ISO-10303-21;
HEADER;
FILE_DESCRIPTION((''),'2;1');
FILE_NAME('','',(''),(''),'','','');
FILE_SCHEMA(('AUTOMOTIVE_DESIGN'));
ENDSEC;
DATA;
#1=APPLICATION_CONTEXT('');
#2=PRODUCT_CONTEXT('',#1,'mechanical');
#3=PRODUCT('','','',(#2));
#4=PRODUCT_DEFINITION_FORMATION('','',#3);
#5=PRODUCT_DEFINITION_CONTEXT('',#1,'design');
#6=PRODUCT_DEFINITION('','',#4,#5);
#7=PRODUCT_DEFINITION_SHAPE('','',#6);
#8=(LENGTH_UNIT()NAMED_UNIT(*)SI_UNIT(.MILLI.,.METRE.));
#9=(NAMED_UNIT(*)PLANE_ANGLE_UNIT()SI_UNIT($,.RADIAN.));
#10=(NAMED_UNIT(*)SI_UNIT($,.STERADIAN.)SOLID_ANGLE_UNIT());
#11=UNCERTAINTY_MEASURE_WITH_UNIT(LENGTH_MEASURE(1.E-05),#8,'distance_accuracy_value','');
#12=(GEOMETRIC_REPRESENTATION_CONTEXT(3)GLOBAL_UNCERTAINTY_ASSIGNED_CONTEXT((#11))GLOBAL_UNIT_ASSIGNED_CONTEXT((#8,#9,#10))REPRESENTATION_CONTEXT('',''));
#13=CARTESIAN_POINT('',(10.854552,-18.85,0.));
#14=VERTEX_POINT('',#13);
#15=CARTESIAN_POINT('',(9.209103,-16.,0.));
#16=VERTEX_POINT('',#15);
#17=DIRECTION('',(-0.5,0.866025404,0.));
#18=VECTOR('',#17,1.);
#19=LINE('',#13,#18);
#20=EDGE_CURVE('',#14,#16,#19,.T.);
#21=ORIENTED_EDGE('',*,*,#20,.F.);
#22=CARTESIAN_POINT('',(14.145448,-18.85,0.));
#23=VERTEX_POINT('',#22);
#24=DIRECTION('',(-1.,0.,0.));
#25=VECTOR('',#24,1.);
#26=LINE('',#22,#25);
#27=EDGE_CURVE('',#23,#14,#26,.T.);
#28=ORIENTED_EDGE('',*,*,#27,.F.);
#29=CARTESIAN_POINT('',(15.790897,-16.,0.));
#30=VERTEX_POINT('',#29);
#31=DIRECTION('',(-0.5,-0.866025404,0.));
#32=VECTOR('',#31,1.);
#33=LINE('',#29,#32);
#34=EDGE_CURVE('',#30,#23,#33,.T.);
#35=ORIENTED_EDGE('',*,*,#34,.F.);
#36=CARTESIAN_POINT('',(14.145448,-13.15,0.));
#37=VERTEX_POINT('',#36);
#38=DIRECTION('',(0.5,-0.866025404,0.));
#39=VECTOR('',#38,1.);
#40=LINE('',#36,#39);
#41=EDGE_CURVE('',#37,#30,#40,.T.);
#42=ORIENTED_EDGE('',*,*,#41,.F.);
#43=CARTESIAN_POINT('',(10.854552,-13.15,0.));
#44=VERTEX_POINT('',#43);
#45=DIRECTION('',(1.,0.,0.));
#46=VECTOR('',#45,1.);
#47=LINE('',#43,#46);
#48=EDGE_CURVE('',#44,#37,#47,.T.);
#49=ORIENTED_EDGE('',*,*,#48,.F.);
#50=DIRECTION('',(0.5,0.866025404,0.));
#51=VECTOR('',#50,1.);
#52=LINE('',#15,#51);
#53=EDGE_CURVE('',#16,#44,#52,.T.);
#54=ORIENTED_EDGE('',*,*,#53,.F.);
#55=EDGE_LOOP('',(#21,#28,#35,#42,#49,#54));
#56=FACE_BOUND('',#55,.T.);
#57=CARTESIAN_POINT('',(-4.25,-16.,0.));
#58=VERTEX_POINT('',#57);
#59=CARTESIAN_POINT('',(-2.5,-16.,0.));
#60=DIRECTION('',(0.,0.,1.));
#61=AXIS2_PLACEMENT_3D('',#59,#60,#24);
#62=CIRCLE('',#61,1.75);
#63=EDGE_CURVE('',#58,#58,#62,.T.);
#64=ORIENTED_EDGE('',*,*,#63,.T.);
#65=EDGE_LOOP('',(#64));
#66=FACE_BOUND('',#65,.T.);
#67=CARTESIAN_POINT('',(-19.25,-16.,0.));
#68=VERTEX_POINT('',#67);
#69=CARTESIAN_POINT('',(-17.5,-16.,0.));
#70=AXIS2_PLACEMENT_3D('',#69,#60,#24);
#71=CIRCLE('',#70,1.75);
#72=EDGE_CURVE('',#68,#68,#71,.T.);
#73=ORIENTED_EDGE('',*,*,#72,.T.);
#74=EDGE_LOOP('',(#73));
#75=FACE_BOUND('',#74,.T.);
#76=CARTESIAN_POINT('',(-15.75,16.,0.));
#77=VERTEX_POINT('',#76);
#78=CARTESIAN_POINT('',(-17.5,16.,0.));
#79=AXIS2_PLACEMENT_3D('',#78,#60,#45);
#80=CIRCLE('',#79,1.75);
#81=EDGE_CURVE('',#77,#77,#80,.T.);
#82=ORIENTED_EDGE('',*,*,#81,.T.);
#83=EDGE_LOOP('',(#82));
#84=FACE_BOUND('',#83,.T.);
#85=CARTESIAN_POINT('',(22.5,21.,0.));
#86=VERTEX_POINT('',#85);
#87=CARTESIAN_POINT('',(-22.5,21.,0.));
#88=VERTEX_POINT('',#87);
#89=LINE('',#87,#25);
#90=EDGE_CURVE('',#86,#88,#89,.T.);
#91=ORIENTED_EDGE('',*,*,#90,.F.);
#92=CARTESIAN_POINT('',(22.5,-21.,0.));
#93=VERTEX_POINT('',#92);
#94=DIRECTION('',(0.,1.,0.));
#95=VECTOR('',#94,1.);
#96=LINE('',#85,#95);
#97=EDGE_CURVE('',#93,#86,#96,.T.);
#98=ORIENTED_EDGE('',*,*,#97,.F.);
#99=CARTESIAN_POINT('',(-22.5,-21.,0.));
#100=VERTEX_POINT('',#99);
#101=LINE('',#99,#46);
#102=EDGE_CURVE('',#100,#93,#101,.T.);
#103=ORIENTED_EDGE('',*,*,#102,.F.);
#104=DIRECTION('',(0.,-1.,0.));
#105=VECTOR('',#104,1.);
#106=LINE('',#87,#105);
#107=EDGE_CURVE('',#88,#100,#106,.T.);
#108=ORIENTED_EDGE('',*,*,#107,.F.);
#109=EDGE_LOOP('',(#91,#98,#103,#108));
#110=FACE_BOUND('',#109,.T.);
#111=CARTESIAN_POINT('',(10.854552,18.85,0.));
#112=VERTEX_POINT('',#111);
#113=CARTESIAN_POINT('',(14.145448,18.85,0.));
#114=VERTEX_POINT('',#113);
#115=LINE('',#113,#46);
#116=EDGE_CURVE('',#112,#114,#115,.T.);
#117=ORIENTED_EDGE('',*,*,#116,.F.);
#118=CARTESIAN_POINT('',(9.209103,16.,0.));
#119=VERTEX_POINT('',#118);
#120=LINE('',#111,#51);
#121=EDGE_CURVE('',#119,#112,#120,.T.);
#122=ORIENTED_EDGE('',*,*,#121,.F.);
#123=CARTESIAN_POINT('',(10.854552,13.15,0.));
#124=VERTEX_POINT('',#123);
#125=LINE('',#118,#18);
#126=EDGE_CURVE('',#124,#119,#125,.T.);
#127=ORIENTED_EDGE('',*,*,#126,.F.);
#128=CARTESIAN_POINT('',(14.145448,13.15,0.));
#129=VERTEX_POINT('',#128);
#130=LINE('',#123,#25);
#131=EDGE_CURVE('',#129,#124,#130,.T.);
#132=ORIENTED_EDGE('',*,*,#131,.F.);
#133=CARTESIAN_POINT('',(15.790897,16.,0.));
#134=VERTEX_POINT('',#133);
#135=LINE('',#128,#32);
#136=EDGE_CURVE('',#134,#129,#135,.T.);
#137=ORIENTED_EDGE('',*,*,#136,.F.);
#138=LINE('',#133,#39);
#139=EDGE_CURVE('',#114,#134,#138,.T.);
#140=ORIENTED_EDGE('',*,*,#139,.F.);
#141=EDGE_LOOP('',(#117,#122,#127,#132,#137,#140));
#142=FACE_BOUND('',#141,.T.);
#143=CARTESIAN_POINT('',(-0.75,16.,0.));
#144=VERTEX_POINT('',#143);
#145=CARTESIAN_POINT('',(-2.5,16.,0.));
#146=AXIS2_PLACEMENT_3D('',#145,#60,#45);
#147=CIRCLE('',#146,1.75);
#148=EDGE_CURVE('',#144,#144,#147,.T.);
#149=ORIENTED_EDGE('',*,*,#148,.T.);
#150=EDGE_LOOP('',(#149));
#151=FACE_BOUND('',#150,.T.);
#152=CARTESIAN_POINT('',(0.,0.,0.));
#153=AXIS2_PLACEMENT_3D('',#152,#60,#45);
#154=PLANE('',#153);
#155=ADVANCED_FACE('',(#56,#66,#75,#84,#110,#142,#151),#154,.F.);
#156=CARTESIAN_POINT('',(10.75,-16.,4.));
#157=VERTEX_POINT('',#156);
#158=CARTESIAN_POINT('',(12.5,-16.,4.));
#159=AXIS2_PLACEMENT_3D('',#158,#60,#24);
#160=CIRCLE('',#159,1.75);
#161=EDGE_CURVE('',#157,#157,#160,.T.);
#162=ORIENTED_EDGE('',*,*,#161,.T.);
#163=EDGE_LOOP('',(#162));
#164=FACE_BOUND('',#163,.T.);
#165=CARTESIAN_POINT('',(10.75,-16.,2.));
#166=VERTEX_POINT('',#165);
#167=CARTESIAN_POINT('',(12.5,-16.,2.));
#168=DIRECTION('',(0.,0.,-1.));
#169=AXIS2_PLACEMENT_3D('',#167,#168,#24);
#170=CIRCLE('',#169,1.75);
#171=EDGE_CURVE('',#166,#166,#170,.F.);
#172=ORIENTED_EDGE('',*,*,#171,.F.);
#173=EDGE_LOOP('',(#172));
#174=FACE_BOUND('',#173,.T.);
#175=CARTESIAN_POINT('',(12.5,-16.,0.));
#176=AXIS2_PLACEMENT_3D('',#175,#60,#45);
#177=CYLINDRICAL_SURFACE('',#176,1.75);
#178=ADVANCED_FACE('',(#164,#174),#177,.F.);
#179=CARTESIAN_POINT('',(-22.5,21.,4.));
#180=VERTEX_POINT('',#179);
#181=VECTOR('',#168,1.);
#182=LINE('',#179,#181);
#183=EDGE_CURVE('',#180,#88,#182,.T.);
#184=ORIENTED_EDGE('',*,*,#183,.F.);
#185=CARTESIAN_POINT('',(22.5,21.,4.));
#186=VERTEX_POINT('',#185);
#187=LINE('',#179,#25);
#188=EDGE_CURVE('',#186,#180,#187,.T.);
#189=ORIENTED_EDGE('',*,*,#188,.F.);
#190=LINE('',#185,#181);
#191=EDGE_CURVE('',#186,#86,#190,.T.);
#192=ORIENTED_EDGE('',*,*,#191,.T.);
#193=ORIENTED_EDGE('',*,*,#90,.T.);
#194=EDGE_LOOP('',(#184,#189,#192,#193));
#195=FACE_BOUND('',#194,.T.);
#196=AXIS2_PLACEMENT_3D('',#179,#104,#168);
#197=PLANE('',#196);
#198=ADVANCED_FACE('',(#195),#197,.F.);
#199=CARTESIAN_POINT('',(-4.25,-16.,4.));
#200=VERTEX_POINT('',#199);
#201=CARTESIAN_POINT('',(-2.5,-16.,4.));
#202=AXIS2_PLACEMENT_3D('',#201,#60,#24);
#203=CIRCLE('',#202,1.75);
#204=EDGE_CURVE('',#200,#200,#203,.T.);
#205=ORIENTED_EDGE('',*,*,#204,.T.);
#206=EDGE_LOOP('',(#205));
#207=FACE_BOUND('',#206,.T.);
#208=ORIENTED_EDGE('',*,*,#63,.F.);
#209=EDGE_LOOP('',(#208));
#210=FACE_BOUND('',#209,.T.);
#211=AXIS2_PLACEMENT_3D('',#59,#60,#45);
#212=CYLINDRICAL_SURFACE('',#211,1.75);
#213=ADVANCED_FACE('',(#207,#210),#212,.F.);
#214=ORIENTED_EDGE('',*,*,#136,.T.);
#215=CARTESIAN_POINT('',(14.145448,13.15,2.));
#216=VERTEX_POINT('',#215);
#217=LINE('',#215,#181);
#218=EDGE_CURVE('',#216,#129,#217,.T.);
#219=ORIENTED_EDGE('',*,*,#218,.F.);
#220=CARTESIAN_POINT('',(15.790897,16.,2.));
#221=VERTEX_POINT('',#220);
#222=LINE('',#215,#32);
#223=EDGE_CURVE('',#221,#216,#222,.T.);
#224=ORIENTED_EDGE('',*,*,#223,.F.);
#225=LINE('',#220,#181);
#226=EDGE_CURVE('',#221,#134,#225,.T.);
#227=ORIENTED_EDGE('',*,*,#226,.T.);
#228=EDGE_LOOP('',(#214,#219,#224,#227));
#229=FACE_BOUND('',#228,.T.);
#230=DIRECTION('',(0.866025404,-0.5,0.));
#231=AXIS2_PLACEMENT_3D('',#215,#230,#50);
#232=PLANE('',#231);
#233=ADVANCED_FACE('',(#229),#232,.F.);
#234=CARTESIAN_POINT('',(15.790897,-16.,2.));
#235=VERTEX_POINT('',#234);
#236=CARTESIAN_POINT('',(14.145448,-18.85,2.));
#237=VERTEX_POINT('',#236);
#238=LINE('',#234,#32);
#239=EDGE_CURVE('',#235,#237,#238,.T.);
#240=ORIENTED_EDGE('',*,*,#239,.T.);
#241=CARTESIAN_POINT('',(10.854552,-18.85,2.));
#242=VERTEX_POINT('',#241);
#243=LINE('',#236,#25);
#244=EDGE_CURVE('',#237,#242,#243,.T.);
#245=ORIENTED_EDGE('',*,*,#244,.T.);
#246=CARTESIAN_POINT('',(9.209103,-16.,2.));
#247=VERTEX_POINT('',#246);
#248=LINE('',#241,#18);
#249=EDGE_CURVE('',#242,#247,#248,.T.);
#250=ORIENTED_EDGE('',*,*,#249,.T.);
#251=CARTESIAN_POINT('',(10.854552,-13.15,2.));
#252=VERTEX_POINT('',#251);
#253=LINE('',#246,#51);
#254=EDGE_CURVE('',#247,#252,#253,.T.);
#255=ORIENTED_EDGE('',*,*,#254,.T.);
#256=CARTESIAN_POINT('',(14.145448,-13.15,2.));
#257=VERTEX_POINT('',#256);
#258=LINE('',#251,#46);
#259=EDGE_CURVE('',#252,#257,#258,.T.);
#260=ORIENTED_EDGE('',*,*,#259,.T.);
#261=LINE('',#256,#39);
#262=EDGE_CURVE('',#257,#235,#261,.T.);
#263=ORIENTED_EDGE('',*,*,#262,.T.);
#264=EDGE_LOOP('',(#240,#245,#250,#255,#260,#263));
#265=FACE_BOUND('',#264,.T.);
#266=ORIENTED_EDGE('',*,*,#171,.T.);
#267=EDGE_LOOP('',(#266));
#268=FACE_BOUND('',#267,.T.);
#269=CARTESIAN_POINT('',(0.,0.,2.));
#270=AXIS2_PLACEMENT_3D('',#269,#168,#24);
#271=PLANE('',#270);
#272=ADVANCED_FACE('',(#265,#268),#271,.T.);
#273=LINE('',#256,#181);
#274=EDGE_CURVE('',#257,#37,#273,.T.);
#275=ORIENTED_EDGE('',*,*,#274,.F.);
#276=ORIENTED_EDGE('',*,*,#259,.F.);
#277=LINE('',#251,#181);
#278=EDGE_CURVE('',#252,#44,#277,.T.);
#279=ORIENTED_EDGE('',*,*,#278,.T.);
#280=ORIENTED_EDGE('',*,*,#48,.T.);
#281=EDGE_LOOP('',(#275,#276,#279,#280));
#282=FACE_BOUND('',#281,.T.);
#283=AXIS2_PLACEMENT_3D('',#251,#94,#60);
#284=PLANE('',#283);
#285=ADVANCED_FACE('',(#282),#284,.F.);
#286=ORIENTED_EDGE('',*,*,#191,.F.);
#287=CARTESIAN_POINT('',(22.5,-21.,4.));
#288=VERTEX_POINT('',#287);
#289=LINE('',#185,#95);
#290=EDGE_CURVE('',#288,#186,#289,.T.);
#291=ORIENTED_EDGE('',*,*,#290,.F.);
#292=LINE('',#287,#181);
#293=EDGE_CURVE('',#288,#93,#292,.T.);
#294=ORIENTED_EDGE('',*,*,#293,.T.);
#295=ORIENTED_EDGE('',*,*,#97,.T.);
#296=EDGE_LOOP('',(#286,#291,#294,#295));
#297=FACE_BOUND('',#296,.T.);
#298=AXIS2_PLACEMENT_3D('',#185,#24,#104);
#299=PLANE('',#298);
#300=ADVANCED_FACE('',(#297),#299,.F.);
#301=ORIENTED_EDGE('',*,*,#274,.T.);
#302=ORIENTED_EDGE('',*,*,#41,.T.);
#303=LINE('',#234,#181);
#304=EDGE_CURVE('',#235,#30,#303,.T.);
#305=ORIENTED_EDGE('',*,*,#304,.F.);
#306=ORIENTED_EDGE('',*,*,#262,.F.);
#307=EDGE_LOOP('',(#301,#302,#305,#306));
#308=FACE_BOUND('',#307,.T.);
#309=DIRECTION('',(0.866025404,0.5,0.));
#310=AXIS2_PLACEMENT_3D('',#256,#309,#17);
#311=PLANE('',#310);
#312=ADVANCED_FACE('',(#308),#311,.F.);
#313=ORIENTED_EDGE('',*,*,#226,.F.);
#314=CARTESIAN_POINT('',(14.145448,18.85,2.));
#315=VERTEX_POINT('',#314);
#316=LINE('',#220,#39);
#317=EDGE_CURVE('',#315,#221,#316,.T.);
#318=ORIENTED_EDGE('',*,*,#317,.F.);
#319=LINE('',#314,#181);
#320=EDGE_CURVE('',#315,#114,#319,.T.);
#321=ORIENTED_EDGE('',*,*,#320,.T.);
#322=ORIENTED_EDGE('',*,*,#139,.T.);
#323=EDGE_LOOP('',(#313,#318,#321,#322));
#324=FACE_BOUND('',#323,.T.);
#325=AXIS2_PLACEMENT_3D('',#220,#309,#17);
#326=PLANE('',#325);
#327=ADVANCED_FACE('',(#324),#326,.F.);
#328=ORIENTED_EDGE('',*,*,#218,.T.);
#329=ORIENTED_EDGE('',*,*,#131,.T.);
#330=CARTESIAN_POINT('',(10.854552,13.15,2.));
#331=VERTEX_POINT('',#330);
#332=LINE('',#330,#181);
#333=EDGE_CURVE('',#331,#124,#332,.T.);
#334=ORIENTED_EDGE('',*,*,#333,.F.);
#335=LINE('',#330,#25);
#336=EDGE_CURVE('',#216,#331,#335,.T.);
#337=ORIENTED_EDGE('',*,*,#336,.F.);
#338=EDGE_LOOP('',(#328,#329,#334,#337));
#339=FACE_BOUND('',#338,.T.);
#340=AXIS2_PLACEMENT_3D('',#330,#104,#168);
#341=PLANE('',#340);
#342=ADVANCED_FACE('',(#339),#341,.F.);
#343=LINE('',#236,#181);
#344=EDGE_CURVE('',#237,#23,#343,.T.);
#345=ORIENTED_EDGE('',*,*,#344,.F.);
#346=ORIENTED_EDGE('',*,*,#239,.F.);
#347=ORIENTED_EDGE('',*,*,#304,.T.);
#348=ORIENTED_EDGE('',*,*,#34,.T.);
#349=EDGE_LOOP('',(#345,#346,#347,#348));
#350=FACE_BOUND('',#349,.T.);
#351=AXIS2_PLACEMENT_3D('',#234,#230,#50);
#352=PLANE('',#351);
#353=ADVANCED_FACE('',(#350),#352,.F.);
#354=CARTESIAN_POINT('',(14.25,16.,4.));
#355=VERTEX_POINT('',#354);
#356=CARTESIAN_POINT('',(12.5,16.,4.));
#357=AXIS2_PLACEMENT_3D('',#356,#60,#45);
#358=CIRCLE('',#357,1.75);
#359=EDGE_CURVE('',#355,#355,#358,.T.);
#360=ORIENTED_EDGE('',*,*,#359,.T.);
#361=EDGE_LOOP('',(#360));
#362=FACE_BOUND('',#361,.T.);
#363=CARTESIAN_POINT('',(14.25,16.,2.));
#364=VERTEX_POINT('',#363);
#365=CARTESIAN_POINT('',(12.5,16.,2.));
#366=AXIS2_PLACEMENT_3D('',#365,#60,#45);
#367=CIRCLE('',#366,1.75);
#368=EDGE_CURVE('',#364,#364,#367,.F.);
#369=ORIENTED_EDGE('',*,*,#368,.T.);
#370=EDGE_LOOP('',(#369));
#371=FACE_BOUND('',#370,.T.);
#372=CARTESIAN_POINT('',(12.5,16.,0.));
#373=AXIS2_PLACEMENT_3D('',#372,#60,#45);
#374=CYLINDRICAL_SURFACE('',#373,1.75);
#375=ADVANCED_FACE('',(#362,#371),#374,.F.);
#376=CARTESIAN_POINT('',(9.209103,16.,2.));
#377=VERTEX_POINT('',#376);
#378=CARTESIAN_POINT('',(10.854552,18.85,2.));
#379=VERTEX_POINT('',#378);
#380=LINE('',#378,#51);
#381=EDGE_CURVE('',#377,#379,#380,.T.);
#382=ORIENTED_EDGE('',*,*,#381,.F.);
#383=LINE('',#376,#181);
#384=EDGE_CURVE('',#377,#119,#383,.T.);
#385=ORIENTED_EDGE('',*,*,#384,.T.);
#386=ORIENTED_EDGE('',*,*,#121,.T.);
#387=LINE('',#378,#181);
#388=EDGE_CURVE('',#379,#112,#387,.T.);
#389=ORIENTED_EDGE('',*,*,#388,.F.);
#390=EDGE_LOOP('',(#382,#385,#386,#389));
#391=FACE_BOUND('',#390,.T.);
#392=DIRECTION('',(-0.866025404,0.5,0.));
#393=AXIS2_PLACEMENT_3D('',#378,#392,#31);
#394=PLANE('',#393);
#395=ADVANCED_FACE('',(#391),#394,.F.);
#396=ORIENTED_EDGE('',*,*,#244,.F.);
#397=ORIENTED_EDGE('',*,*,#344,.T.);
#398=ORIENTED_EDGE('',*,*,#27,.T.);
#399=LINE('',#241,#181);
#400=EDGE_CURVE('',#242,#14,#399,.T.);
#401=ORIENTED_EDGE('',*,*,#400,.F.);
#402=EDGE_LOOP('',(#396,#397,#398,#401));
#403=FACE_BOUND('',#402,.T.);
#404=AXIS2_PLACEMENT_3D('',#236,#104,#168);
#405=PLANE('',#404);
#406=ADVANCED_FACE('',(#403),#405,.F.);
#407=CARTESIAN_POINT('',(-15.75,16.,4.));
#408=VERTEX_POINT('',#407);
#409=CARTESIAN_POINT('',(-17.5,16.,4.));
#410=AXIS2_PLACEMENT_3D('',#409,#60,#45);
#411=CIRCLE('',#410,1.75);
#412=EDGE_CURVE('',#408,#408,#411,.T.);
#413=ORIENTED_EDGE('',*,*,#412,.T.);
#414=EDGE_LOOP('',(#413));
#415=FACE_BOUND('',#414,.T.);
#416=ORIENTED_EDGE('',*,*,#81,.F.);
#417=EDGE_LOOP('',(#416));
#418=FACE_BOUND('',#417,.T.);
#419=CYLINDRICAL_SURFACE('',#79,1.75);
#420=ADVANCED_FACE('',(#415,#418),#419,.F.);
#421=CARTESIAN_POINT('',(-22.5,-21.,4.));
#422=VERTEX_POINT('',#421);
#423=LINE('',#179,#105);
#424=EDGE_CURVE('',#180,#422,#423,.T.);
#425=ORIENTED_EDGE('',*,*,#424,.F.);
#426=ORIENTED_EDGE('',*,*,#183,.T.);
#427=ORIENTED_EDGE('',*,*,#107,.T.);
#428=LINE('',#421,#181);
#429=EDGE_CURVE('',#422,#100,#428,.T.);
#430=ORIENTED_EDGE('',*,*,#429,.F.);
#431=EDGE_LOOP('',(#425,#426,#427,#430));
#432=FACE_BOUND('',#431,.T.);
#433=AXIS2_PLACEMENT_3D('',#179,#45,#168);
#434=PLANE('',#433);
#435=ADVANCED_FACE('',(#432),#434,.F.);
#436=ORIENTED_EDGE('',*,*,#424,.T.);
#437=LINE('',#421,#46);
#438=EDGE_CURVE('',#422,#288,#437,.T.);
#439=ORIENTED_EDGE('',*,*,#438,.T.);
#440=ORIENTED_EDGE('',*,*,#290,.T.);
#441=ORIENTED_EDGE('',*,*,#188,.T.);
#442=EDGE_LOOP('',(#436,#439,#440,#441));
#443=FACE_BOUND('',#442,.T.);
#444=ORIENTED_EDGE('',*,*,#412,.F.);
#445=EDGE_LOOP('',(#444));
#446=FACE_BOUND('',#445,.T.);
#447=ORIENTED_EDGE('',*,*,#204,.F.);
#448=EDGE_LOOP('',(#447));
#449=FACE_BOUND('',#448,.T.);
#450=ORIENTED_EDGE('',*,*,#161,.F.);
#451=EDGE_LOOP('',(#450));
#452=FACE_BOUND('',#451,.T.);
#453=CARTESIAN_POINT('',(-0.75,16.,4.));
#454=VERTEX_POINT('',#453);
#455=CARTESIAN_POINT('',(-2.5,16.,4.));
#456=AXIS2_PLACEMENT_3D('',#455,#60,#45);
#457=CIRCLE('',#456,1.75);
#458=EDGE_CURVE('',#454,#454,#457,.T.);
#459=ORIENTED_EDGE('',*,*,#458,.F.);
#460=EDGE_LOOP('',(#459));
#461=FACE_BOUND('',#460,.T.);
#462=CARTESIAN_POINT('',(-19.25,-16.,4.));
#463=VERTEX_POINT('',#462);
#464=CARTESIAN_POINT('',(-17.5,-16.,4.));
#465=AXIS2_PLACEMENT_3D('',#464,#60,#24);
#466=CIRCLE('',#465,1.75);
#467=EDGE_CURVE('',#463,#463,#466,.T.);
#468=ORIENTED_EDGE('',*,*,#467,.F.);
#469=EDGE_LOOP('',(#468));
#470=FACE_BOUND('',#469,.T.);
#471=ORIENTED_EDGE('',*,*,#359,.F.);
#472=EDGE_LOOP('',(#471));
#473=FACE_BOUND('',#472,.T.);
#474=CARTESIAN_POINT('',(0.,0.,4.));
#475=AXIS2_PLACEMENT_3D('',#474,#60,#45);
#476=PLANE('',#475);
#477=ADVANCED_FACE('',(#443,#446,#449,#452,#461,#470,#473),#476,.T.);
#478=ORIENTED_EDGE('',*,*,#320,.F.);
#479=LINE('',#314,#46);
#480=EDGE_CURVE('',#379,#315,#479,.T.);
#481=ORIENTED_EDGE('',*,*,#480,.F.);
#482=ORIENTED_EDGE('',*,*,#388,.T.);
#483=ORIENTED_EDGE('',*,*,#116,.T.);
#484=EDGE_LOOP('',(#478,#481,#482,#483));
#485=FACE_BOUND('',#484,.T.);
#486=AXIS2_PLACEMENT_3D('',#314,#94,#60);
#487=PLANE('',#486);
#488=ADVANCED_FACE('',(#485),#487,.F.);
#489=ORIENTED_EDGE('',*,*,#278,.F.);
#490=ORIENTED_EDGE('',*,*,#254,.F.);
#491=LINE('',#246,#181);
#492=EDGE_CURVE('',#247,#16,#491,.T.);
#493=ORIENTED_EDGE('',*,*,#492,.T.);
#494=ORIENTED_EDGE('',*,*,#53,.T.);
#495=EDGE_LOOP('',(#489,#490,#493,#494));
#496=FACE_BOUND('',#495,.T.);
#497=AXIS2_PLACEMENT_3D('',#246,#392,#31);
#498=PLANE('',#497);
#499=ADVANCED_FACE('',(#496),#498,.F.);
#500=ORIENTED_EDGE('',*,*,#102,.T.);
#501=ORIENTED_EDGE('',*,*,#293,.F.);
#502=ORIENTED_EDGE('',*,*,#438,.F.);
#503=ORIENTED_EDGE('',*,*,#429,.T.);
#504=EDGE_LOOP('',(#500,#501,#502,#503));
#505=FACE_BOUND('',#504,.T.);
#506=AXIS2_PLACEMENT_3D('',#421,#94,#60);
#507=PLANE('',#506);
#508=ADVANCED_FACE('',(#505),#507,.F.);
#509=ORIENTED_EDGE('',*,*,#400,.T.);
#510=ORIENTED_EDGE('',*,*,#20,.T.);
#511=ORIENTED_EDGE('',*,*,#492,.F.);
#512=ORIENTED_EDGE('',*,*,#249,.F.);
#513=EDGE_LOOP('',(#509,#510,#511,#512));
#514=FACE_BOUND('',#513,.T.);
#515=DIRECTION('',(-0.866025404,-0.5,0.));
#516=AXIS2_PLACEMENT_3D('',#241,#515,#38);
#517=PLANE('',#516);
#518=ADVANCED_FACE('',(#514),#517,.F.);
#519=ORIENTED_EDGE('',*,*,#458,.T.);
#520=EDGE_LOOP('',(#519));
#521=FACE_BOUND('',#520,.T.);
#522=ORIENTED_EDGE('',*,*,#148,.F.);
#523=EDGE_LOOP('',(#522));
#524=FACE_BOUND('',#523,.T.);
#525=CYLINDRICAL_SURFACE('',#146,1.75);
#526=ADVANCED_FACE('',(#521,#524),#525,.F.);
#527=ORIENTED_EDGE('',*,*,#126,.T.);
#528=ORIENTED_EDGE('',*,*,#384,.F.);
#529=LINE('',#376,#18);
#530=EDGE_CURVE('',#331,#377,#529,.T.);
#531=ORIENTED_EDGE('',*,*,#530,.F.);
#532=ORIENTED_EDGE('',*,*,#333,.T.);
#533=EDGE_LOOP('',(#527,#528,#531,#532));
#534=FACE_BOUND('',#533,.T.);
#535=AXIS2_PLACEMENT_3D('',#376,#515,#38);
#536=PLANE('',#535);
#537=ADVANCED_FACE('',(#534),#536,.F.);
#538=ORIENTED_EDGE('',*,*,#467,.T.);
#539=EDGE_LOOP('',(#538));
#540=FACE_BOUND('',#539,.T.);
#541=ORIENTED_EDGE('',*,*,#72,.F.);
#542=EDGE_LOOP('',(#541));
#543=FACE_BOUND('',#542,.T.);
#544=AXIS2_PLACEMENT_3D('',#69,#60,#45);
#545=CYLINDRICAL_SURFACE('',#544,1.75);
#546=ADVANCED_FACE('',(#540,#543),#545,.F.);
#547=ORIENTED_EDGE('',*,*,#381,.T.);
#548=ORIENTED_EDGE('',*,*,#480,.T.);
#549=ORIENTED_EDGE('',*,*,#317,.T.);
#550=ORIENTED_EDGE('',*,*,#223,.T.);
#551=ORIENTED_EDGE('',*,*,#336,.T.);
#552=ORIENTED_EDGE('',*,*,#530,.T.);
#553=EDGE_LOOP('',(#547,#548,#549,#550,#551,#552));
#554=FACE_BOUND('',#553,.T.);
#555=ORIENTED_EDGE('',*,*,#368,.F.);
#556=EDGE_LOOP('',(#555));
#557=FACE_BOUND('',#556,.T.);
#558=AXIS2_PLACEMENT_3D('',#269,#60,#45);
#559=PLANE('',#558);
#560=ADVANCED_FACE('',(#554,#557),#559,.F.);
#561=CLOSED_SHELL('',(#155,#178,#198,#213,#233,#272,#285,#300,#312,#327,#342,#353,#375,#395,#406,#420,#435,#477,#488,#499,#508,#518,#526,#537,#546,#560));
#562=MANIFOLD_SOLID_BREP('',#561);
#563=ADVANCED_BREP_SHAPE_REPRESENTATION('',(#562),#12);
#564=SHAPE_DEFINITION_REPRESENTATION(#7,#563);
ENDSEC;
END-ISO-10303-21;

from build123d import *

# Parameters (mm, degrees)
SKETCH1_W           = 45
SKETCH1_H           = 42
BOSS_EXTRUDE1_DEPTH = 4
SKETCH2_R           = 1.75
CUT_EXTRUDE1_DEPTH  = 32.036269106
SKETCH3_R           = 1.75
CUT_EXTRUDE2_DEPTH  = 32.036269106
CUT_EXTRUDE4_DEPTH  = 2


with BuildPart() as part:
    # Sketch1 → Boss-Extrude1 (new body)
    with BuildSketch(Plane.XY):
        Rectangle(SKETCH1_W, SKETCH1_H)
    extrude(amount=BOSS_EXTRUDE1_DEPTH)

    # Sketch2 → Cut-Extrude1 (cut, through all)
    with BuildSketch(Plane.XY.offset(4)):
        with Locations((-17.5, 16)):
            Circle(SKETCH2_R)
        with Locations((-2.5, 16)):
            Circle(SKETCH2_R)
        with Locations(Location((-2.5, -16, 0), (0, 0, 180))):
            Circle(SKETCH2_R)
        with Locations(Location((-17.5, -16, 0), (0, 0, 180))):
            Circle(SKETCH2_R)
    extrude(amount=-CUT_EXTRUDE1_DEPTH, mode=Mode.SUBTRACT)

    # Sketch3 → Cut-Extrude2 (cut, through all)
    with BuildSketch(Plane.XY.offset(4)):
        with Locations((12.5, 16)):
            Circle(SKETCH3_R)
        with Locations(Location((12.5, -16, 0), (0, 0, 180))):
            Circle(SKETCH3_R)
    extrude(amount=-CUT_EXTRUDE2_DEPTH, mode=Mode.SUBTRACT)

    # Sketch5 → Cut-Extrude4 (cut)
    with BuildSketch(Plane(origin=(0, 0, 0), x_dir=(-1, 0, 0), z_dir=(0, 0, -1))):
        Polygon((-9.209103466, -16), (-10.854551733, -13.15), (-14.145448267, -13.15), (-15.790896534, -16), (-14.145448267, -18.85), (-10.854551733, -18.85), align=None)
        Polygon((-10.854551733, 18.85), (-9.209103466, 16), (-10.854551733, 13.15), (-14.145448267, 13.15), (-15.790896534, 16), (-14.145448267, 18.85), align=None)
    extrude(amount=-CUT_EXTRUDE4_DEPTH, mode=Mode.SUBTRACT)


solid = part.part
